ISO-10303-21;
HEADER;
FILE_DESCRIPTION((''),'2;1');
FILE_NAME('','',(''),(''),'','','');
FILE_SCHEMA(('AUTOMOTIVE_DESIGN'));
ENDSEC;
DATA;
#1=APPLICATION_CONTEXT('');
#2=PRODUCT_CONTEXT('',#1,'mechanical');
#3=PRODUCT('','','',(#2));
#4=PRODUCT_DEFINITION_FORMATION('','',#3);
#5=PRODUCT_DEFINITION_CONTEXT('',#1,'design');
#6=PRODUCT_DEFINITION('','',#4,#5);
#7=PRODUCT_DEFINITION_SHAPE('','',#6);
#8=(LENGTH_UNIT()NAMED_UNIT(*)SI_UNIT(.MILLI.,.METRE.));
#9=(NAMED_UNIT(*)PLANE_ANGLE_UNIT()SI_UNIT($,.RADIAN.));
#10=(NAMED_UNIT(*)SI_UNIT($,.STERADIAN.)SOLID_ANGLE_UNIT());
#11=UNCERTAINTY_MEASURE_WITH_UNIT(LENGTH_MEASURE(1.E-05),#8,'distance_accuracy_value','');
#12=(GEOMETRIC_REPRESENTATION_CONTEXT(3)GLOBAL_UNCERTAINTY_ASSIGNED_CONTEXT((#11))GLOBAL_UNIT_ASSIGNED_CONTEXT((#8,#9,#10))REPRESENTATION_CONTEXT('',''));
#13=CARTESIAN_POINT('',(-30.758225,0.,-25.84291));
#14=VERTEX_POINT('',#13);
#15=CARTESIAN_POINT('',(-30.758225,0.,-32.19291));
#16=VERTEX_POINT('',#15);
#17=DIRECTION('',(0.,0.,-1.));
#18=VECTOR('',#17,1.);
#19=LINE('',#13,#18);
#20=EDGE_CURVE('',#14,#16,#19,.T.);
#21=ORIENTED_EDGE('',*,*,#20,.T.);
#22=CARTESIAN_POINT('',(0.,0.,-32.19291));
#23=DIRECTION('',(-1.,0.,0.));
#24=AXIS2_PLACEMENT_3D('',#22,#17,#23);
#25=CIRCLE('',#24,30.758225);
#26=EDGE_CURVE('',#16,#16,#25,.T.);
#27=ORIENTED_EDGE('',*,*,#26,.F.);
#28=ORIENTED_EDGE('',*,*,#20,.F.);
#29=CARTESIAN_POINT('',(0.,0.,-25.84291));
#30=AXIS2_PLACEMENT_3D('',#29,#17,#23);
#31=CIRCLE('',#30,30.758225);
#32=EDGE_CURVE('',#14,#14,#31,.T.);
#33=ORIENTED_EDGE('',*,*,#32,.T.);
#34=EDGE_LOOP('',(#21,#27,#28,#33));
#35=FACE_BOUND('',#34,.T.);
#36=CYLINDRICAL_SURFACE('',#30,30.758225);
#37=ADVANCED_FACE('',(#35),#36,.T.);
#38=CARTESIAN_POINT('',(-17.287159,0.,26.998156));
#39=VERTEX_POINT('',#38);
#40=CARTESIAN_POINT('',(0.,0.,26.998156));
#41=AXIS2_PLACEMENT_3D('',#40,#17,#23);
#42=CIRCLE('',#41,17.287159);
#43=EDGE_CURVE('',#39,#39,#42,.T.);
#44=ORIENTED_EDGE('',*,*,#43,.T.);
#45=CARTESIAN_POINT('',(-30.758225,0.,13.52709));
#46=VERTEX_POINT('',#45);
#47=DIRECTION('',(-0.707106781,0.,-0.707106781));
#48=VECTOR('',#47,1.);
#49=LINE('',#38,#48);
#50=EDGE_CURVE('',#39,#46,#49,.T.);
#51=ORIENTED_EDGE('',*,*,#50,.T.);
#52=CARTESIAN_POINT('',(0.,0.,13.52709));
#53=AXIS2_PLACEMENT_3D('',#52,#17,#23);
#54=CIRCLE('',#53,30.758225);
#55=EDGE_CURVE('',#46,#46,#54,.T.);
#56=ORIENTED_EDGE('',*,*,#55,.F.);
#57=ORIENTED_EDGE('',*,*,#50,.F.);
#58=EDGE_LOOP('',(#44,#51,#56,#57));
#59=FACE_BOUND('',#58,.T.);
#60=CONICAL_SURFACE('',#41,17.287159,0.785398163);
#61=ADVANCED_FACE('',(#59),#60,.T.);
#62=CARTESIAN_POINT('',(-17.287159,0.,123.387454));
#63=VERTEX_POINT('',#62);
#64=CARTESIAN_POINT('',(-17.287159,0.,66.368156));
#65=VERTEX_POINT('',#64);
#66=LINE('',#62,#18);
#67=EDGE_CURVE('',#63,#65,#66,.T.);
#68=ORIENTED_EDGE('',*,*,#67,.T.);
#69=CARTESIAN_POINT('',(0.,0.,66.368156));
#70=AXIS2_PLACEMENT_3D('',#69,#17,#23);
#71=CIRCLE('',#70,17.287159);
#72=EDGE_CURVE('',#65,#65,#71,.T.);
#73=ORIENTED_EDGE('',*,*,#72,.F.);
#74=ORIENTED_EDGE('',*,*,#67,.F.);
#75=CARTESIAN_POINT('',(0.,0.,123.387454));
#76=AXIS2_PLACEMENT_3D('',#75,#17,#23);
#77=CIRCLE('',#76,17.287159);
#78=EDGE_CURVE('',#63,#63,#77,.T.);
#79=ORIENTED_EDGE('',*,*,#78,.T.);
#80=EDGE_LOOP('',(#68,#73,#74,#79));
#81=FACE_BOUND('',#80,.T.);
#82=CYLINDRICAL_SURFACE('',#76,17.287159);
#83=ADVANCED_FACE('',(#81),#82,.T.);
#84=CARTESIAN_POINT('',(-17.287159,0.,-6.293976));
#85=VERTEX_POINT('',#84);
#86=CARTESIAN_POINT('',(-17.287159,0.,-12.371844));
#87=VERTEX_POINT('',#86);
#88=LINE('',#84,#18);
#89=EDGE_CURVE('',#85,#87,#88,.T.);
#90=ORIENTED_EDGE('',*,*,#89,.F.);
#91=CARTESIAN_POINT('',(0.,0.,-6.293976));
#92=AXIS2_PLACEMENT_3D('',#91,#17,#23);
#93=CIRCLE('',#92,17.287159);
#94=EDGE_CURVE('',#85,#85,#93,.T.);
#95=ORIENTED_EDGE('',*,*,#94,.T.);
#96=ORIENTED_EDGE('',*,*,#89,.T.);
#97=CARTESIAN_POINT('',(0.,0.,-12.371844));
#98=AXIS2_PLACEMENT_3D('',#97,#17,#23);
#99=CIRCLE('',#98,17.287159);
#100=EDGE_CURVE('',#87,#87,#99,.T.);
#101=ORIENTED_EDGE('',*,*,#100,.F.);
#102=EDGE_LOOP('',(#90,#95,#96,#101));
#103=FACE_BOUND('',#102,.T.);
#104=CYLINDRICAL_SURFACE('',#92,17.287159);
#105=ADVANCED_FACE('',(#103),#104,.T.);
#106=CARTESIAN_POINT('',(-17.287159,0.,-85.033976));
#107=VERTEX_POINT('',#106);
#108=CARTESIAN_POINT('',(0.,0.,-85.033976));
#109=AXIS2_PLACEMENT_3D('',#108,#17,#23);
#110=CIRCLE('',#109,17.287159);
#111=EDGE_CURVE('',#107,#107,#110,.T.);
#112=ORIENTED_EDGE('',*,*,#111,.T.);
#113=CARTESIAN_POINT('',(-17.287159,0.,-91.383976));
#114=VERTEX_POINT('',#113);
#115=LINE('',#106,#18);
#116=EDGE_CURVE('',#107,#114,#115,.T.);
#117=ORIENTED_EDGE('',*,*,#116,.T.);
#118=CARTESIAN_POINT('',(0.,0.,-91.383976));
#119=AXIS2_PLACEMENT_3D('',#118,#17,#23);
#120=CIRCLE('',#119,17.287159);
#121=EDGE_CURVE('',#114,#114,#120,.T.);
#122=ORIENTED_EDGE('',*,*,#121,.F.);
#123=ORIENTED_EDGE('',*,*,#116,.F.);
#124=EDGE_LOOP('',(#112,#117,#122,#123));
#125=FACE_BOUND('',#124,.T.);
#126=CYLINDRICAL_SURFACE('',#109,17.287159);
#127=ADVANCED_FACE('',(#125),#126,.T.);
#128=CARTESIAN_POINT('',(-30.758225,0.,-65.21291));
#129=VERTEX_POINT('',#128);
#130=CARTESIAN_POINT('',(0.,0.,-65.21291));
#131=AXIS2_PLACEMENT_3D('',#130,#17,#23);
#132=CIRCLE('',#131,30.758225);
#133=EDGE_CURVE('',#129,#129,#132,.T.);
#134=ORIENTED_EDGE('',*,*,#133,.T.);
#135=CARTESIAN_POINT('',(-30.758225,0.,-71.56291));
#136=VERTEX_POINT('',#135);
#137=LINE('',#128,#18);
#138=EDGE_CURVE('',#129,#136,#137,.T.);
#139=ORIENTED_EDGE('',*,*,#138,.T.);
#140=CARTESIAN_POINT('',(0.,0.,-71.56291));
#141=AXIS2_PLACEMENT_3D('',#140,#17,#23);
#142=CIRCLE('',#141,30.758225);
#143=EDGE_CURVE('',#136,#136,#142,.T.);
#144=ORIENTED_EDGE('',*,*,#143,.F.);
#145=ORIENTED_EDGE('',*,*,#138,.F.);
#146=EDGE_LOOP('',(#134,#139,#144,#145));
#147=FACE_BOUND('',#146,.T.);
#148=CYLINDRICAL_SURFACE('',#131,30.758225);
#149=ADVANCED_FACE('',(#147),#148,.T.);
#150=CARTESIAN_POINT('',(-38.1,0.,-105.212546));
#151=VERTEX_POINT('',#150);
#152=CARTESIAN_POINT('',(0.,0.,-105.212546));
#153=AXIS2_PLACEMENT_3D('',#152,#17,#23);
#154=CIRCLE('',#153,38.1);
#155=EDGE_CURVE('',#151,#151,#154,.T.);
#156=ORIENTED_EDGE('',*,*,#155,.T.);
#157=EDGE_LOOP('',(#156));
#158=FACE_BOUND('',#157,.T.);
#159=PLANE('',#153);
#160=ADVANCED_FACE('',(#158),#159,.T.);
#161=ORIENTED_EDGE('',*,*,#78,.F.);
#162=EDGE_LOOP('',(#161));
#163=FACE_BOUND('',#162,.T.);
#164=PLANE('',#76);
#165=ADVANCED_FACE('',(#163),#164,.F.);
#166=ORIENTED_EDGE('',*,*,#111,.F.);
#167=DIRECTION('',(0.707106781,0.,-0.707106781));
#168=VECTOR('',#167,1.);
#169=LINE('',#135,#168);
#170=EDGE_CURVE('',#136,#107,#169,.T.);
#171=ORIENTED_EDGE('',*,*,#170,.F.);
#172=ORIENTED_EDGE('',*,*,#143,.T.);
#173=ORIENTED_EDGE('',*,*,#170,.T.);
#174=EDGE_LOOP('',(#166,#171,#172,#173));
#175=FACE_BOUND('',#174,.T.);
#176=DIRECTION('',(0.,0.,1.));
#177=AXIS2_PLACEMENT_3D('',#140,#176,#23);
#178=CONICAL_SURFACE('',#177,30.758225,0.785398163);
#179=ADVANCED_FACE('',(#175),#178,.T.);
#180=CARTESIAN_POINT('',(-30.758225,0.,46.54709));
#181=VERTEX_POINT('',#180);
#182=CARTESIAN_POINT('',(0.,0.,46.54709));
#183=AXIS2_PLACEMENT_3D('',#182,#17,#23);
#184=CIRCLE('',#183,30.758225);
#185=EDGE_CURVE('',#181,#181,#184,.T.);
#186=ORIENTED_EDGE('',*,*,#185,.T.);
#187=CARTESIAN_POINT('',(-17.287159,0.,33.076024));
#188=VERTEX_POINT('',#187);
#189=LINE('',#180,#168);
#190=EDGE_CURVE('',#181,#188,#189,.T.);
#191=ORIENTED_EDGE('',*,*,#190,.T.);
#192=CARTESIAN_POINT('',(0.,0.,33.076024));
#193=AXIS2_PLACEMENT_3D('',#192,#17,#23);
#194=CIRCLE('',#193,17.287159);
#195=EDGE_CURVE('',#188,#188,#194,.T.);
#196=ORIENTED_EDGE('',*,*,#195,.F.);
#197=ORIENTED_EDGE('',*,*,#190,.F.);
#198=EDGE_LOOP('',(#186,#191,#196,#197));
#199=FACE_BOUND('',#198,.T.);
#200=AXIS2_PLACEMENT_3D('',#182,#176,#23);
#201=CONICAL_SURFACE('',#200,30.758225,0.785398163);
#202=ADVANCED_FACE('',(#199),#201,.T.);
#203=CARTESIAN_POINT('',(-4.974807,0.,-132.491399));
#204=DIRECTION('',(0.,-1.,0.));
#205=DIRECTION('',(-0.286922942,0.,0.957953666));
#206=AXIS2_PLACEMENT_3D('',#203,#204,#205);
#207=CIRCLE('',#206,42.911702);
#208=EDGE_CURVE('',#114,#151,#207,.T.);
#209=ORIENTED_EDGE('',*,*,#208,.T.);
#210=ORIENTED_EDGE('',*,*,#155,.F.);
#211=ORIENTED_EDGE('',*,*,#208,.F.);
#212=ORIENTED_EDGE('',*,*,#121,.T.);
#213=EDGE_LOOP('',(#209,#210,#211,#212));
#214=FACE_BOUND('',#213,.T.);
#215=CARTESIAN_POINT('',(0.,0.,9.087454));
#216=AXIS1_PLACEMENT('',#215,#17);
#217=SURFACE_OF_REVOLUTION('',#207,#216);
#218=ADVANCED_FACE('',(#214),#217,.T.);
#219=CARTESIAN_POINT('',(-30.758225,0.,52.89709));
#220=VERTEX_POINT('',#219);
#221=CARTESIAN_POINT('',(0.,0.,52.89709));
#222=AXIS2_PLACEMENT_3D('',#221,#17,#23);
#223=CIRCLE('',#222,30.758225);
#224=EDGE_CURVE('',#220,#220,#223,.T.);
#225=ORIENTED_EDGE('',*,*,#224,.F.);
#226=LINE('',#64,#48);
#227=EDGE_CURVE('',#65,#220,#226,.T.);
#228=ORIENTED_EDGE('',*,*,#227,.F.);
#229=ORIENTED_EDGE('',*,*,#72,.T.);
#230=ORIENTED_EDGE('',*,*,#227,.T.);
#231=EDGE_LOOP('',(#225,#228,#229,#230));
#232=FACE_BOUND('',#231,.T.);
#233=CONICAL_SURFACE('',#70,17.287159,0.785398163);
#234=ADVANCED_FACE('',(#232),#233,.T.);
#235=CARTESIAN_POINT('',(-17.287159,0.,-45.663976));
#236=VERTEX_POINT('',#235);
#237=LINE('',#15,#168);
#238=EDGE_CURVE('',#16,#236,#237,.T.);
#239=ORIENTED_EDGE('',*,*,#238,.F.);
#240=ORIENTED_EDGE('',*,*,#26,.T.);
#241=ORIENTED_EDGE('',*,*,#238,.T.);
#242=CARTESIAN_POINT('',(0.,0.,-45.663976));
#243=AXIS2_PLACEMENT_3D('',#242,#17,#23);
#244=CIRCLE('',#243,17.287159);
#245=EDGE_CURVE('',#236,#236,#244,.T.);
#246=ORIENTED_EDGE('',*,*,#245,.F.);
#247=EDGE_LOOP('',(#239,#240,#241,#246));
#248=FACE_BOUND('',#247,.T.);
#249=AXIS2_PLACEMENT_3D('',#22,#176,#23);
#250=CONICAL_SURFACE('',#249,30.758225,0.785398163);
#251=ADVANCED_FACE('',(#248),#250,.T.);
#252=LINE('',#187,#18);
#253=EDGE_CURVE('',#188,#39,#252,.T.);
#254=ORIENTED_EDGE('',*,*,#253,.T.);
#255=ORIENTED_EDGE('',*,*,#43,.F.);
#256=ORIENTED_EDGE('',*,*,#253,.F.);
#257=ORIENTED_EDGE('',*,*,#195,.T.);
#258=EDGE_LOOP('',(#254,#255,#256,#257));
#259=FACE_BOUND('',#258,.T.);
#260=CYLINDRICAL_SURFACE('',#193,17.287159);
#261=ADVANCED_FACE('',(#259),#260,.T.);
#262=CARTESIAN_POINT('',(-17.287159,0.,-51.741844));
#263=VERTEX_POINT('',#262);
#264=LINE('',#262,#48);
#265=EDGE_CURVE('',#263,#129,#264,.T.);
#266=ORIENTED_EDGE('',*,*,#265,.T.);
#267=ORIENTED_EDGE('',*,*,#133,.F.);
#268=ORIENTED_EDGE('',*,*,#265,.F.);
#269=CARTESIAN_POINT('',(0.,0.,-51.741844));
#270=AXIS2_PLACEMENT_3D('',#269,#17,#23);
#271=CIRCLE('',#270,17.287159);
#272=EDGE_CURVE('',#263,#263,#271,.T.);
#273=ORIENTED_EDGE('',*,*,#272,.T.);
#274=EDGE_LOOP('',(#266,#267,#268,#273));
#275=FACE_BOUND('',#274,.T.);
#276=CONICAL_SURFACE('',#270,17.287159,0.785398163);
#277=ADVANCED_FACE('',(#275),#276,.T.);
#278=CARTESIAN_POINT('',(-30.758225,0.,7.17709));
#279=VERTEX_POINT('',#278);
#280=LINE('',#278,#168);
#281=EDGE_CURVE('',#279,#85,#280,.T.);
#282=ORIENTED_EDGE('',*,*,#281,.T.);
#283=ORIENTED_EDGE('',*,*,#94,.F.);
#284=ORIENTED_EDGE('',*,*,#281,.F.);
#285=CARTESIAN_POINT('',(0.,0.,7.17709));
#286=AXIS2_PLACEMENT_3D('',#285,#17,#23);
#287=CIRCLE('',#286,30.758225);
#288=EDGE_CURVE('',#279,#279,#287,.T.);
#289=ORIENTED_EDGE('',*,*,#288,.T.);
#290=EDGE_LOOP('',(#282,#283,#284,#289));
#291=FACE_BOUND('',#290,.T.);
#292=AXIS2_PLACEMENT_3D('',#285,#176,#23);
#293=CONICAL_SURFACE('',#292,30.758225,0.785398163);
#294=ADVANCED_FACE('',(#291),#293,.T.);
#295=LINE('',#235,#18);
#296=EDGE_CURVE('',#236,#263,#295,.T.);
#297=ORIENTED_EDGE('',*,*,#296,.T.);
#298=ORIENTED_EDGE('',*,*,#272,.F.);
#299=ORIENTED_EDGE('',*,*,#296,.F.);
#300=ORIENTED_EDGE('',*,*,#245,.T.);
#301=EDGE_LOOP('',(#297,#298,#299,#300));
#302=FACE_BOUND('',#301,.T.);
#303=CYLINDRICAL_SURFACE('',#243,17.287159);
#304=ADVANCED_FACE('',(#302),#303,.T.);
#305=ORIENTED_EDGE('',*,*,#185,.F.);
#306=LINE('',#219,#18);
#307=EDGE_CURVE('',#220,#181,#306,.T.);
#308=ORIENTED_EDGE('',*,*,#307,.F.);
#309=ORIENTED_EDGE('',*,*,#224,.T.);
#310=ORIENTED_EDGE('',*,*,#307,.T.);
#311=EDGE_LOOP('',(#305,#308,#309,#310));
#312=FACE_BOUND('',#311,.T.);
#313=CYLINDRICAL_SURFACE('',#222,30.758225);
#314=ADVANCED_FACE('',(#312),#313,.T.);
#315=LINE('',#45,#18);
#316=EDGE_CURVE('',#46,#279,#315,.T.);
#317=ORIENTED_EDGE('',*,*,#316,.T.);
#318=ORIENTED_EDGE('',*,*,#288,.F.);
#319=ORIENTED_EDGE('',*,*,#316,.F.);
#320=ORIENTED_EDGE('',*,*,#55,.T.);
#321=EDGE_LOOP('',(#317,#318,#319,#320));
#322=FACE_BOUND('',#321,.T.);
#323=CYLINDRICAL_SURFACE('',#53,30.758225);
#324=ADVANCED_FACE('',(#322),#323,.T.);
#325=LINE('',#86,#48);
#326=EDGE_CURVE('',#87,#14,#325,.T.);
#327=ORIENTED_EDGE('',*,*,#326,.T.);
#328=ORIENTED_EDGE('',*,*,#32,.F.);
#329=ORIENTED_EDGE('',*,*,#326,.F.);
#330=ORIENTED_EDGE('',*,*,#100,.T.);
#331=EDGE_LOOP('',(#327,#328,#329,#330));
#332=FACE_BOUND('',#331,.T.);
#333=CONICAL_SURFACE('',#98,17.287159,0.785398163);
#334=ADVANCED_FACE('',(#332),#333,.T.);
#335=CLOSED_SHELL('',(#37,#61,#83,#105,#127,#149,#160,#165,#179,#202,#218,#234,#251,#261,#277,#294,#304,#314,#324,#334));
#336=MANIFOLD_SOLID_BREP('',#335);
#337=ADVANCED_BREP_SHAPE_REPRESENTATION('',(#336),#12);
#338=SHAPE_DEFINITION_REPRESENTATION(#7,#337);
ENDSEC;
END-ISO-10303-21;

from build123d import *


with BuildPart() as f1:
    # F0 (on Front) → F1 (revolve)
    with BuildSketch(Plane.XZ):
        with BuildLine():
            Line((0, -105.212546), (0, 123.387454))
            Line((0, 123.387454), (-17.287159, 123.387454))
            Line((-17.287159, 123.387454), (-17.287159, 72.718156))
            Line((-17.287159, 72.718156), (-17.287159, 66.368156))
            Line((-17.287159, 66.368156), (-30.758225, 52.89709))
            Line((-30.758225, 52.89709), (-30.758225, 46.54709))
            Line((-30.758225, 46.54709), (-17.287159, 33.076024))
            Line((-17.287159, 33.076024), (-17.287159, 26.998156))
            Line((-17.287159, 26.998156), (-30.758225, 13.52709))
            Line((-30.758225, 13.52709), (-30.758225, 7.17709))
            Line((-30.758225, 7.17709), (-17.287159, -6.293976))
            Line((-17.287159, -6.293976), (-17.287159, -12.371844))
            Line((-17.287159, -12.371844), (-30.758225, -25.84291))
            Line((-30.758225, -25.84291), (-30.758225, -32.19291))
            Line((-30.758225, -32.19291), (-17.287159, -45.663976))
            Line((-17.287159, -45.663976), (-17.287159, -51.741844))
            Line((-17.287159, -51.741844), (-30.758225, -65.21291))
            Line((-30.758225, -65.21291), (-30.758225, -71.56291))
            Line((-30.758225, -71.56291), (-17.287159, -85.033976))
            Line((-17.287159, -85.033976), (-17.287159, -91.383976))
            ThreePointArc((-17.287159, -91.383976), (-28.722438, -96.749767), (-38.1, -105.212546))
            Line((-38.1, -105.212546), (0, -105.212546))
        make_face()
    revolve(axis=Axis((0, 0, 9.087454), (0, 0, -1)))


solid = f1.part
